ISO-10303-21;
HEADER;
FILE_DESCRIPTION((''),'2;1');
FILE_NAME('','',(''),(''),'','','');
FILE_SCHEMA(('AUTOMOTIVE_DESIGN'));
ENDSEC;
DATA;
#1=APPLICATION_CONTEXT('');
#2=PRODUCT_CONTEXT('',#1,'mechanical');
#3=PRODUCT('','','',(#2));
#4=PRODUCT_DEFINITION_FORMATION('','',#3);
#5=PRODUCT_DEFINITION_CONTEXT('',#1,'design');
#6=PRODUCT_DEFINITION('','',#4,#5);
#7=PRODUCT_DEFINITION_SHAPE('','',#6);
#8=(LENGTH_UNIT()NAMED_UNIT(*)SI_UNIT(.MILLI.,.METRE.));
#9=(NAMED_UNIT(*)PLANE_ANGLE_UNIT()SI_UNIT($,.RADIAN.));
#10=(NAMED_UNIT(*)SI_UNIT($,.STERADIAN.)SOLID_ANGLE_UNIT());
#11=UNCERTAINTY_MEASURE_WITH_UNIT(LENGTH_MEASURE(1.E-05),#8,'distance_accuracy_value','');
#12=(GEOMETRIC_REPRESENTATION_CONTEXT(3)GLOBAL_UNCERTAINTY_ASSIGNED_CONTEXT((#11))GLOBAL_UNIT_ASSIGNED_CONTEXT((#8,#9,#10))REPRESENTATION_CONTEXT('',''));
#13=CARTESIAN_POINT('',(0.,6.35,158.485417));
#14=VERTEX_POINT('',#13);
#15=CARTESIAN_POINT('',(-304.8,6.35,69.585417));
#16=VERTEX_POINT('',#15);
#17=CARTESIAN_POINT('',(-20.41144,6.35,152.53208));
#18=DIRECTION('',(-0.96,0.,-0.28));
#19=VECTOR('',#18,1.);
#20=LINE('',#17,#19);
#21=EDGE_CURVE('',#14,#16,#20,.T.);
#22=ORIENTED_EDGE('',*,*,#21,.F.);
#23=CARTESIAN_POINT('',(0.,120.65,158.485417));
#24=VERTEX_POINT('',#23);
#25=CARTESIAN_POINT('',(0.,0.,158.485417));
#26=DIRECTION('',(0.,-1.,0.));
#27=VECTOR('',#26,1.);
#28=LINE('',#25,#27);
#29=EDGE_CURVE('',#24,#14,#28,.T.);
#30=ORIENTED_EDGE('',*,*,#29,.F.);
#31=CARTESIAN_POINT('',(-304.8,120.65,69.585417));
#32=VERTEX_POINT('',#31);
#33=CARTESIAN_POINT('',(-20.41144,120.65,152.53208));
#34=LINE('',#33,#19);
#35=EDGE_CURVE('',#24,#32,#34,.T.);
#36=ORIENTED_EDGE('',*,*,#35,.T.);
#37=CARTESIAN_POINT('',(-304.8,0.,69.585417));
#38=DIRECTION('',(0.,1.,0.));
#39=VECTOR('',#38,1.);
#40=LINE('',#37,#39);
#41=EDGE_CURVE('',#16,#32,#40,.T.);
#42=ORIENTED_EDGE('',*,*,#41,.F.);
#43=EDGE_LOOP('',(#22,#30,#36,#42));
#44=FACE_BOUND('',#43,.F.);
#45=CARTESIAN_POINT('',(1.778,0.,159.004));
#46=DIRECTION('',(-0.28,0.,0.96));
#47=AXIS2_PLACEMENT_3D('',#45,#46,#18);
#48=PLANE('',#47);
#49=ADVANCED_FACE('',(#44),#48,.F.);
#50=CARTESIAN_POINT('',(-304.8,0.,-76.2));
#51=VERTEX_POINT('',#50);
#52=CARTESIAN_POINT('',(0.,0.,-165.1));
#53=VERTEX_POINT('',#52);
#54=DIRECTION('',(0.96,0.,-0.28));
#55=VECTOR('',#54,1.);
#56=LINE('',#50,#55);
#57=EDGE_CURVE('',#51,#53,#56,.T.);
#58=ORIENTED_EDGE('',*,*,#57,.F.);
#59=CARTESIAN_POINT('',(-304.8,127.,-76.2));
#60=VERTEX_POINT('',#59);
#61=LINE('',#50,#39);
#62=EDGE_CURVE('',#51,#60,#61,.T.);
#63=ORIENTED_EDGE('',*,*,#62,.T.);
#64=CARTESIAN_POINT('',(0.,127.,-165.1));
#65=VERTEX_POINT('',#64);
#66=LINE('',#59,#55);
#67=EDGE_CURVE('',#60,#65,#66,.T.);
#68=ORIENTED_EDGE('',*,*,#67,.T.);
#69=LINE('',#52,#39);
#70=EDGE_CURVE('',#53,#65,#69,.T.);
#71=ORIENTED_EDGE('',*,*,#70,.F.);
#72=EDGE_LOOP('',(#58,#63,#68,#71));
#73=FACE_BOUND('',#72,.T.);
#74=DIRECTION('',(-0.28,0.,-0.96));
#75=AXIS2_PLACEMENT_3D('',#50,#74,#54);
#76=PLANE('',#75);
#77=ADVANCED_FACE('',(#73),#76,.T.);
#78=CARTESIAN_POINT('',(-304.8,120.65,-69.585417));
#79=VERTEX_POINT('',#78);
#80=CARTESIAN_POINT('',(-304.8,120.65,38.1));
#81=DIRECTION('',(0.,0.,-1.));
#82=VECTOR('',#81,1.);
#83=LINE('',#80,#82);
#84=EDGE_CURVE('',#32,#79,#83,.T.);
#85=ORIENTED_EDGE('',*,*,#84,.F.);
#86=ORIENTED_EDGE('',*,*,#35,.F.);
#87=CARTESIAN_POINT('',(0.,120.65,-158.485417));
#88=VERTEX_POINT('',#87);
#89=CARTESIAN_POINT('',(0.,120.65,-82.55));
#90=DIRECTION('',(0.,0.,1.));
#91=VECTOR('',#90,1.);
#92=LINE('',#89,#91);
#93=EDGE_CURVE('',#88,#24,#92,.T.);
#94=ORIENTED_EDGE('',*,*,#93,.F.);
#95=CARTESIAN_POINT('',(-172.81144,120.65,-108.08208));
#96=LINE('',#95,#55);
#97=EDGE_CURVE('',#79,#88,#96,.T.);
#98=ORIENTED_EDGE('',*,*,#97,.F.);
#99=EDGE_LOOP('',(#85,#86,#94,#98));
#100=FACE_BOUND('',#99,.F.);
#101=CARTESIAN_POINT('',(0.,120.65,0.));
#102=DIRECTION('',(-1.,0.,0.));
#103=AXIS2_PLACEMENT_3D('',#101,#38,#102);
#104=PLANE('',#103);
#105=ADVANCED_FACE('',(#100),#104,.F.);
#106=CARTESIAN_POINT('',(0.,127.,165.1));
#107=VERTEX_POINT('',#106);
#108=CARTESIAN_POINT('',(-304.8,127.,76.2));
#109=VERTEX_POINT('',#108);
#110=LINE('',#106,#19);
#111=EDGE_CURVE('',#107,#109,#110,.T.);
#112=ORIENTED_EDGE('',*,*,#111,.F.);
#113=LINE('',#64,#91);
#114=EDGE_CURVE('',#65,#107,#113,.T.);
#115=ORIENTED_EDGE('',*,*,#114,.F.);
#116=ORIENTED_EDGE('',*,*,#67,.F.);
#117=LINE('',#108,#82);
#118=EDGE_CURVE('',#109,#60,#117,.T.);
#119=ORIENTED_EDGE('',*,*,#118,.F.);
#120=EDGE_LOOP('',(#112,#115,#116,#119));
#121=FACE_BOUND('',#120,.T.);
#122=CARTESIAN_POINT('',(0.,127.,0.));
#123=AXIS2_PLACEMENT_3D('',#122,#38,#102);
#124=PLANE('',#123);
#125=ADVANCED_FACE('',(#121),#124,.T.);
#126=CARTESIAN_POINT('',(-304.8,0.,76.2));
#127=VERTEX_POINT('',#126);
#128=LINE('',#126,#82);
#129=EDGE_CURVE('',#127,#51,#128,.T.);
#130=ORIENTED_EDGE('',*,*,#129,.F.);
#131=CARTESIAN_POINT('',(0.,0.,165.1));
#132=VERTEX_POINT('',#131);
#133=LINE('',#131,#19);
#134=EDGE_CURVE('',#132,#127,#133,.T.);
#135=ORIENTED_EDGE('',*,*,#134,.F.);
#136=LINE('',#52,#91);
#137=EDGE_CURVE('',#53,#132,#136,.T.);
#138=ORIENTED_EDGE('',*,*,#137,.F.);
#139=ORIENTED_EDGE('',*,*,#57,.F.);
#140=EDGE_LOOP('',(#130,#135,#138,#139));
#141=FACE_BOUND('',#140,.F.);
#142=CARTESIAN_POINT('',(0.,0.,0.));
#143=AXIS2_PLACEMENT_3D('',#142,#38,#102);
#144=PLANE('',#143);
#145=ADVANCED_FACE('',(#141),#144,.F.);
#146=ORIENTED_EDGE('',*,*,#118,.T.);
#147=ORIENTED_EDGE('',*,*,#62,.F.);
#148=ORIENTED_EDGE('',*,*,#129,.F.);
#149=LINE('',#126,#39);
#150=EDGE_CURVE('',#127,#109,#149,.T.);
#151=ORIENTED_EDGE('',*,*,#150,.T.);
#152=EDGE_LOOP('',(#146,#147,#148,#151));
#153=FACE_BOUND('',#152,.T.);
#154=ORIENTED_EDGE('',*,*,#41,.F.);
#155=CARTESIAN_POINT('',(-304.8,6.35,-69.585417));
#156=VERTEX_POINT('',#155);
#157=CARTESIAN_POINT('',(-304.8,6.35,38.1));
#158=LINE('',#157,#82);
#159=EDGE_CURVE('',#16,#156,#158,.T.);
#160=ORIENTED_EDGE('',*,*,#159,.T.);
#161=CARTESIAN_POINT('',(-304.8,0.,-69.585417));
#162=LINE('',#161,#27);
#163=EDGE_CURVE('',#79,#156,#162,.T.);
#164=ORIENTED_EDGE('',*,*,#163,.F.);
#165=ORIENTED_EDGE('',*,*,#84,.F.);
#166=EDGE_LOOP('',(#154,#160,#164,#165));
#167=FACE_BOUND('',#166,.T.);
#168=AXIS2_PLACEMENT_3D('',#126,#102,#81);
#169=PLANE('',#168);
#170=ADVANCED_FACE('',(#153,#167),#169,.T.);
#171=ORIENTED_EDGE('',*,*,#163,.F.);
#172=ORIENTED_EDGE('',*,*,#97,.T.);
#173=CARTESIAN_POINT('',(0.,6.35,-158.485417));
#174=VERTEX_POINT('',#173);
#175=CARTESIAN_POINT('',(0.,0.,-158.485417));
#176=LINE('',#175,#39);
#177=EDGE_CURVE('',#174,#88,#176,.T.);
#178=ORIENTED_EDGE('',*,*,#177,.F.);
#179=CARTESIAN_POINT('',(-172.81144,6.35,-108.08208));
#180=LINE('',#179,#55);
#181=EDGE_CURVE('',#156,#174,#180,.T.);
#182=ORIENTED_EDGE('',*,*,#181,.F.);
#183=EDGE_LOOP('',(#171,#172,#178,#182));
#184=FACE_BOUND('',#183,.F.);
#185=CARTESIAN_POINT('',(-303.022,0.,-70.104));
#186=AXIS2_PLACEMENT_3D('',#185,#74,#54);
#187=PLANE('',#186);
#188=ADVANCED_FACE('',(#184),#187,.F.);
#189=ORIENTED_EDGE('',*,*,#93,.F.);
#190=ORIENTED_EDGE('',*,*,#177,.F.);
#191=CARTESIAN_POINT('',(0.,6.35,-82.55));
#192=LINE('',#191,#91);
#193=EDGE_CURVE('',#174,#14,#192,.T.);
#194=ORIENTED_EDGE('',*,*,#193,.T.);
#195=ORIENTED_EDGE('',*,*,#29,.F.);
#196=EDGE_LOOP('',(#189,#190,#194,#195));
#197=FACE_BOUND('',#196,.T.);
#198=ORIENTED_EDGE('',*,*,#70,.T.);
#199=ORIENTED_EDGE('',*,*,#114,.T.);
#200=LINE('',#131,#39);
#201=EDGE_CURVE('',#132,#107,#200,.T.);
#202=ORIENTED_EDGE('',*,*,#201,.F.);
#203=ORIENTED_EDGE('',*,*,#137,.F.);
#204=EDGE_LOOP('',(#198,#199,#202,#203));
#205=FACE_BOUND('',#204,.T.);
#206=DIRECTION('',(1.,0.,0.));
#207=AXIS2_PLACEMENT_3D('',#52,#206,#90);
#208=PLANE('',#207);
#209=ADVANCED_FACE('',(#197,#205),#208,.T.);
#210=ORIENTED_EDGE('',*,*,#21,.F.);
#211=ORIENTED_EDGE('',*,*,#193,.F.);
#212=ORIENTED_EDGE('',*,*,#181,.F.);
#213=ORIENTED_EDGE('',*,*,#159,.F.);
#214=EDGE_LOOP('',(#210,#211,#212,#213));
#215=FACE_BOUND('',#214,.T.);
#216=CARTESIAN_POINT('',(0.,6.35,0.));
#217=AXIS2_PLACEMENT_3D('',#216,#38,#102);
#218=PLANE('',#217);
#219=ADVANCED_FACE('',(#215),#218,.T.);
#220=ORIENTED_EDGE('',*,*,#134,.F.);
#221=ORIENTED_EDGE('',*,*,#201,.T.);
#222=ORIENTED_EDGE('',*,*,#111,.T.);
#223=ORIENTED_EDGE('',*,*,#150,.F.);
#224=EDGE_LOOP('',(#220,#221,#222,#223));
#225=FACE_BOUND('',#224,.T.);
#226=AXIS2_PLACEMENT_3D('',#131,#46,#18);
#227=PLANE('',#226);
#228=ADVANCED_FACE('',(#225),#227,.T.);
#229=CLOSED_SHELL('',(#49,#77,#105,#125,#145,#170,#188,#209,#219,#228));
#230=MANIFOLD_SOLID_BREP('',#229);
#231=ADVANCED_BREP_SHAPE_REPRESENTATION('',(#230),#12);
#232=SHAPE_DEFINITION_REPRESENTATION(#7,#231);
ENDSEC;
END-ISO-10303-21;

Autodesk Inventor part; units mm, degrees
ref_plane "YZ Plane" through (0, 0, 0) normal (1, 0, 0) x (0, 1, 0)
ref_plane "XZ Plane" through (0, 0, 0) normal (0, 1, 0) x (-1, 0, 0)
ref_plane "XY Plane" through (0, 0, 0) normal (0, 0, 1) x (1, 0, 0)
sketch "Sketch1" plane through (0, 0, 0) normal (0, 1, 0) x (-1, 0, 0)
  line L0 (0, 165.1) -> (304.8, 76.2)
  line L1 (304.8, 76.2) -> (304.8, -76.2)
  line L2 (304.8, -76.2) -> (0, -165.1)
  line L3 (0, -165.1) -> (0, 165.1)
  point P0 (0, 0)
  point P1 (304.8, 0)
  point P2 (0, 0)
  dimension "d0" = 330.2
  dimension "d1" = 152.4
  dimension "d2" = 304.8
extrude "Extrusion1" add sketch "Sketch1" along normal blind 127
shell "Shell1" thickness 6.35 removed faces 2 at (0, 42.3333, 55.0333) at (-304.8, 42.3333, -25.4)
properties part number "feeder block" material "Aluminum 6061"
